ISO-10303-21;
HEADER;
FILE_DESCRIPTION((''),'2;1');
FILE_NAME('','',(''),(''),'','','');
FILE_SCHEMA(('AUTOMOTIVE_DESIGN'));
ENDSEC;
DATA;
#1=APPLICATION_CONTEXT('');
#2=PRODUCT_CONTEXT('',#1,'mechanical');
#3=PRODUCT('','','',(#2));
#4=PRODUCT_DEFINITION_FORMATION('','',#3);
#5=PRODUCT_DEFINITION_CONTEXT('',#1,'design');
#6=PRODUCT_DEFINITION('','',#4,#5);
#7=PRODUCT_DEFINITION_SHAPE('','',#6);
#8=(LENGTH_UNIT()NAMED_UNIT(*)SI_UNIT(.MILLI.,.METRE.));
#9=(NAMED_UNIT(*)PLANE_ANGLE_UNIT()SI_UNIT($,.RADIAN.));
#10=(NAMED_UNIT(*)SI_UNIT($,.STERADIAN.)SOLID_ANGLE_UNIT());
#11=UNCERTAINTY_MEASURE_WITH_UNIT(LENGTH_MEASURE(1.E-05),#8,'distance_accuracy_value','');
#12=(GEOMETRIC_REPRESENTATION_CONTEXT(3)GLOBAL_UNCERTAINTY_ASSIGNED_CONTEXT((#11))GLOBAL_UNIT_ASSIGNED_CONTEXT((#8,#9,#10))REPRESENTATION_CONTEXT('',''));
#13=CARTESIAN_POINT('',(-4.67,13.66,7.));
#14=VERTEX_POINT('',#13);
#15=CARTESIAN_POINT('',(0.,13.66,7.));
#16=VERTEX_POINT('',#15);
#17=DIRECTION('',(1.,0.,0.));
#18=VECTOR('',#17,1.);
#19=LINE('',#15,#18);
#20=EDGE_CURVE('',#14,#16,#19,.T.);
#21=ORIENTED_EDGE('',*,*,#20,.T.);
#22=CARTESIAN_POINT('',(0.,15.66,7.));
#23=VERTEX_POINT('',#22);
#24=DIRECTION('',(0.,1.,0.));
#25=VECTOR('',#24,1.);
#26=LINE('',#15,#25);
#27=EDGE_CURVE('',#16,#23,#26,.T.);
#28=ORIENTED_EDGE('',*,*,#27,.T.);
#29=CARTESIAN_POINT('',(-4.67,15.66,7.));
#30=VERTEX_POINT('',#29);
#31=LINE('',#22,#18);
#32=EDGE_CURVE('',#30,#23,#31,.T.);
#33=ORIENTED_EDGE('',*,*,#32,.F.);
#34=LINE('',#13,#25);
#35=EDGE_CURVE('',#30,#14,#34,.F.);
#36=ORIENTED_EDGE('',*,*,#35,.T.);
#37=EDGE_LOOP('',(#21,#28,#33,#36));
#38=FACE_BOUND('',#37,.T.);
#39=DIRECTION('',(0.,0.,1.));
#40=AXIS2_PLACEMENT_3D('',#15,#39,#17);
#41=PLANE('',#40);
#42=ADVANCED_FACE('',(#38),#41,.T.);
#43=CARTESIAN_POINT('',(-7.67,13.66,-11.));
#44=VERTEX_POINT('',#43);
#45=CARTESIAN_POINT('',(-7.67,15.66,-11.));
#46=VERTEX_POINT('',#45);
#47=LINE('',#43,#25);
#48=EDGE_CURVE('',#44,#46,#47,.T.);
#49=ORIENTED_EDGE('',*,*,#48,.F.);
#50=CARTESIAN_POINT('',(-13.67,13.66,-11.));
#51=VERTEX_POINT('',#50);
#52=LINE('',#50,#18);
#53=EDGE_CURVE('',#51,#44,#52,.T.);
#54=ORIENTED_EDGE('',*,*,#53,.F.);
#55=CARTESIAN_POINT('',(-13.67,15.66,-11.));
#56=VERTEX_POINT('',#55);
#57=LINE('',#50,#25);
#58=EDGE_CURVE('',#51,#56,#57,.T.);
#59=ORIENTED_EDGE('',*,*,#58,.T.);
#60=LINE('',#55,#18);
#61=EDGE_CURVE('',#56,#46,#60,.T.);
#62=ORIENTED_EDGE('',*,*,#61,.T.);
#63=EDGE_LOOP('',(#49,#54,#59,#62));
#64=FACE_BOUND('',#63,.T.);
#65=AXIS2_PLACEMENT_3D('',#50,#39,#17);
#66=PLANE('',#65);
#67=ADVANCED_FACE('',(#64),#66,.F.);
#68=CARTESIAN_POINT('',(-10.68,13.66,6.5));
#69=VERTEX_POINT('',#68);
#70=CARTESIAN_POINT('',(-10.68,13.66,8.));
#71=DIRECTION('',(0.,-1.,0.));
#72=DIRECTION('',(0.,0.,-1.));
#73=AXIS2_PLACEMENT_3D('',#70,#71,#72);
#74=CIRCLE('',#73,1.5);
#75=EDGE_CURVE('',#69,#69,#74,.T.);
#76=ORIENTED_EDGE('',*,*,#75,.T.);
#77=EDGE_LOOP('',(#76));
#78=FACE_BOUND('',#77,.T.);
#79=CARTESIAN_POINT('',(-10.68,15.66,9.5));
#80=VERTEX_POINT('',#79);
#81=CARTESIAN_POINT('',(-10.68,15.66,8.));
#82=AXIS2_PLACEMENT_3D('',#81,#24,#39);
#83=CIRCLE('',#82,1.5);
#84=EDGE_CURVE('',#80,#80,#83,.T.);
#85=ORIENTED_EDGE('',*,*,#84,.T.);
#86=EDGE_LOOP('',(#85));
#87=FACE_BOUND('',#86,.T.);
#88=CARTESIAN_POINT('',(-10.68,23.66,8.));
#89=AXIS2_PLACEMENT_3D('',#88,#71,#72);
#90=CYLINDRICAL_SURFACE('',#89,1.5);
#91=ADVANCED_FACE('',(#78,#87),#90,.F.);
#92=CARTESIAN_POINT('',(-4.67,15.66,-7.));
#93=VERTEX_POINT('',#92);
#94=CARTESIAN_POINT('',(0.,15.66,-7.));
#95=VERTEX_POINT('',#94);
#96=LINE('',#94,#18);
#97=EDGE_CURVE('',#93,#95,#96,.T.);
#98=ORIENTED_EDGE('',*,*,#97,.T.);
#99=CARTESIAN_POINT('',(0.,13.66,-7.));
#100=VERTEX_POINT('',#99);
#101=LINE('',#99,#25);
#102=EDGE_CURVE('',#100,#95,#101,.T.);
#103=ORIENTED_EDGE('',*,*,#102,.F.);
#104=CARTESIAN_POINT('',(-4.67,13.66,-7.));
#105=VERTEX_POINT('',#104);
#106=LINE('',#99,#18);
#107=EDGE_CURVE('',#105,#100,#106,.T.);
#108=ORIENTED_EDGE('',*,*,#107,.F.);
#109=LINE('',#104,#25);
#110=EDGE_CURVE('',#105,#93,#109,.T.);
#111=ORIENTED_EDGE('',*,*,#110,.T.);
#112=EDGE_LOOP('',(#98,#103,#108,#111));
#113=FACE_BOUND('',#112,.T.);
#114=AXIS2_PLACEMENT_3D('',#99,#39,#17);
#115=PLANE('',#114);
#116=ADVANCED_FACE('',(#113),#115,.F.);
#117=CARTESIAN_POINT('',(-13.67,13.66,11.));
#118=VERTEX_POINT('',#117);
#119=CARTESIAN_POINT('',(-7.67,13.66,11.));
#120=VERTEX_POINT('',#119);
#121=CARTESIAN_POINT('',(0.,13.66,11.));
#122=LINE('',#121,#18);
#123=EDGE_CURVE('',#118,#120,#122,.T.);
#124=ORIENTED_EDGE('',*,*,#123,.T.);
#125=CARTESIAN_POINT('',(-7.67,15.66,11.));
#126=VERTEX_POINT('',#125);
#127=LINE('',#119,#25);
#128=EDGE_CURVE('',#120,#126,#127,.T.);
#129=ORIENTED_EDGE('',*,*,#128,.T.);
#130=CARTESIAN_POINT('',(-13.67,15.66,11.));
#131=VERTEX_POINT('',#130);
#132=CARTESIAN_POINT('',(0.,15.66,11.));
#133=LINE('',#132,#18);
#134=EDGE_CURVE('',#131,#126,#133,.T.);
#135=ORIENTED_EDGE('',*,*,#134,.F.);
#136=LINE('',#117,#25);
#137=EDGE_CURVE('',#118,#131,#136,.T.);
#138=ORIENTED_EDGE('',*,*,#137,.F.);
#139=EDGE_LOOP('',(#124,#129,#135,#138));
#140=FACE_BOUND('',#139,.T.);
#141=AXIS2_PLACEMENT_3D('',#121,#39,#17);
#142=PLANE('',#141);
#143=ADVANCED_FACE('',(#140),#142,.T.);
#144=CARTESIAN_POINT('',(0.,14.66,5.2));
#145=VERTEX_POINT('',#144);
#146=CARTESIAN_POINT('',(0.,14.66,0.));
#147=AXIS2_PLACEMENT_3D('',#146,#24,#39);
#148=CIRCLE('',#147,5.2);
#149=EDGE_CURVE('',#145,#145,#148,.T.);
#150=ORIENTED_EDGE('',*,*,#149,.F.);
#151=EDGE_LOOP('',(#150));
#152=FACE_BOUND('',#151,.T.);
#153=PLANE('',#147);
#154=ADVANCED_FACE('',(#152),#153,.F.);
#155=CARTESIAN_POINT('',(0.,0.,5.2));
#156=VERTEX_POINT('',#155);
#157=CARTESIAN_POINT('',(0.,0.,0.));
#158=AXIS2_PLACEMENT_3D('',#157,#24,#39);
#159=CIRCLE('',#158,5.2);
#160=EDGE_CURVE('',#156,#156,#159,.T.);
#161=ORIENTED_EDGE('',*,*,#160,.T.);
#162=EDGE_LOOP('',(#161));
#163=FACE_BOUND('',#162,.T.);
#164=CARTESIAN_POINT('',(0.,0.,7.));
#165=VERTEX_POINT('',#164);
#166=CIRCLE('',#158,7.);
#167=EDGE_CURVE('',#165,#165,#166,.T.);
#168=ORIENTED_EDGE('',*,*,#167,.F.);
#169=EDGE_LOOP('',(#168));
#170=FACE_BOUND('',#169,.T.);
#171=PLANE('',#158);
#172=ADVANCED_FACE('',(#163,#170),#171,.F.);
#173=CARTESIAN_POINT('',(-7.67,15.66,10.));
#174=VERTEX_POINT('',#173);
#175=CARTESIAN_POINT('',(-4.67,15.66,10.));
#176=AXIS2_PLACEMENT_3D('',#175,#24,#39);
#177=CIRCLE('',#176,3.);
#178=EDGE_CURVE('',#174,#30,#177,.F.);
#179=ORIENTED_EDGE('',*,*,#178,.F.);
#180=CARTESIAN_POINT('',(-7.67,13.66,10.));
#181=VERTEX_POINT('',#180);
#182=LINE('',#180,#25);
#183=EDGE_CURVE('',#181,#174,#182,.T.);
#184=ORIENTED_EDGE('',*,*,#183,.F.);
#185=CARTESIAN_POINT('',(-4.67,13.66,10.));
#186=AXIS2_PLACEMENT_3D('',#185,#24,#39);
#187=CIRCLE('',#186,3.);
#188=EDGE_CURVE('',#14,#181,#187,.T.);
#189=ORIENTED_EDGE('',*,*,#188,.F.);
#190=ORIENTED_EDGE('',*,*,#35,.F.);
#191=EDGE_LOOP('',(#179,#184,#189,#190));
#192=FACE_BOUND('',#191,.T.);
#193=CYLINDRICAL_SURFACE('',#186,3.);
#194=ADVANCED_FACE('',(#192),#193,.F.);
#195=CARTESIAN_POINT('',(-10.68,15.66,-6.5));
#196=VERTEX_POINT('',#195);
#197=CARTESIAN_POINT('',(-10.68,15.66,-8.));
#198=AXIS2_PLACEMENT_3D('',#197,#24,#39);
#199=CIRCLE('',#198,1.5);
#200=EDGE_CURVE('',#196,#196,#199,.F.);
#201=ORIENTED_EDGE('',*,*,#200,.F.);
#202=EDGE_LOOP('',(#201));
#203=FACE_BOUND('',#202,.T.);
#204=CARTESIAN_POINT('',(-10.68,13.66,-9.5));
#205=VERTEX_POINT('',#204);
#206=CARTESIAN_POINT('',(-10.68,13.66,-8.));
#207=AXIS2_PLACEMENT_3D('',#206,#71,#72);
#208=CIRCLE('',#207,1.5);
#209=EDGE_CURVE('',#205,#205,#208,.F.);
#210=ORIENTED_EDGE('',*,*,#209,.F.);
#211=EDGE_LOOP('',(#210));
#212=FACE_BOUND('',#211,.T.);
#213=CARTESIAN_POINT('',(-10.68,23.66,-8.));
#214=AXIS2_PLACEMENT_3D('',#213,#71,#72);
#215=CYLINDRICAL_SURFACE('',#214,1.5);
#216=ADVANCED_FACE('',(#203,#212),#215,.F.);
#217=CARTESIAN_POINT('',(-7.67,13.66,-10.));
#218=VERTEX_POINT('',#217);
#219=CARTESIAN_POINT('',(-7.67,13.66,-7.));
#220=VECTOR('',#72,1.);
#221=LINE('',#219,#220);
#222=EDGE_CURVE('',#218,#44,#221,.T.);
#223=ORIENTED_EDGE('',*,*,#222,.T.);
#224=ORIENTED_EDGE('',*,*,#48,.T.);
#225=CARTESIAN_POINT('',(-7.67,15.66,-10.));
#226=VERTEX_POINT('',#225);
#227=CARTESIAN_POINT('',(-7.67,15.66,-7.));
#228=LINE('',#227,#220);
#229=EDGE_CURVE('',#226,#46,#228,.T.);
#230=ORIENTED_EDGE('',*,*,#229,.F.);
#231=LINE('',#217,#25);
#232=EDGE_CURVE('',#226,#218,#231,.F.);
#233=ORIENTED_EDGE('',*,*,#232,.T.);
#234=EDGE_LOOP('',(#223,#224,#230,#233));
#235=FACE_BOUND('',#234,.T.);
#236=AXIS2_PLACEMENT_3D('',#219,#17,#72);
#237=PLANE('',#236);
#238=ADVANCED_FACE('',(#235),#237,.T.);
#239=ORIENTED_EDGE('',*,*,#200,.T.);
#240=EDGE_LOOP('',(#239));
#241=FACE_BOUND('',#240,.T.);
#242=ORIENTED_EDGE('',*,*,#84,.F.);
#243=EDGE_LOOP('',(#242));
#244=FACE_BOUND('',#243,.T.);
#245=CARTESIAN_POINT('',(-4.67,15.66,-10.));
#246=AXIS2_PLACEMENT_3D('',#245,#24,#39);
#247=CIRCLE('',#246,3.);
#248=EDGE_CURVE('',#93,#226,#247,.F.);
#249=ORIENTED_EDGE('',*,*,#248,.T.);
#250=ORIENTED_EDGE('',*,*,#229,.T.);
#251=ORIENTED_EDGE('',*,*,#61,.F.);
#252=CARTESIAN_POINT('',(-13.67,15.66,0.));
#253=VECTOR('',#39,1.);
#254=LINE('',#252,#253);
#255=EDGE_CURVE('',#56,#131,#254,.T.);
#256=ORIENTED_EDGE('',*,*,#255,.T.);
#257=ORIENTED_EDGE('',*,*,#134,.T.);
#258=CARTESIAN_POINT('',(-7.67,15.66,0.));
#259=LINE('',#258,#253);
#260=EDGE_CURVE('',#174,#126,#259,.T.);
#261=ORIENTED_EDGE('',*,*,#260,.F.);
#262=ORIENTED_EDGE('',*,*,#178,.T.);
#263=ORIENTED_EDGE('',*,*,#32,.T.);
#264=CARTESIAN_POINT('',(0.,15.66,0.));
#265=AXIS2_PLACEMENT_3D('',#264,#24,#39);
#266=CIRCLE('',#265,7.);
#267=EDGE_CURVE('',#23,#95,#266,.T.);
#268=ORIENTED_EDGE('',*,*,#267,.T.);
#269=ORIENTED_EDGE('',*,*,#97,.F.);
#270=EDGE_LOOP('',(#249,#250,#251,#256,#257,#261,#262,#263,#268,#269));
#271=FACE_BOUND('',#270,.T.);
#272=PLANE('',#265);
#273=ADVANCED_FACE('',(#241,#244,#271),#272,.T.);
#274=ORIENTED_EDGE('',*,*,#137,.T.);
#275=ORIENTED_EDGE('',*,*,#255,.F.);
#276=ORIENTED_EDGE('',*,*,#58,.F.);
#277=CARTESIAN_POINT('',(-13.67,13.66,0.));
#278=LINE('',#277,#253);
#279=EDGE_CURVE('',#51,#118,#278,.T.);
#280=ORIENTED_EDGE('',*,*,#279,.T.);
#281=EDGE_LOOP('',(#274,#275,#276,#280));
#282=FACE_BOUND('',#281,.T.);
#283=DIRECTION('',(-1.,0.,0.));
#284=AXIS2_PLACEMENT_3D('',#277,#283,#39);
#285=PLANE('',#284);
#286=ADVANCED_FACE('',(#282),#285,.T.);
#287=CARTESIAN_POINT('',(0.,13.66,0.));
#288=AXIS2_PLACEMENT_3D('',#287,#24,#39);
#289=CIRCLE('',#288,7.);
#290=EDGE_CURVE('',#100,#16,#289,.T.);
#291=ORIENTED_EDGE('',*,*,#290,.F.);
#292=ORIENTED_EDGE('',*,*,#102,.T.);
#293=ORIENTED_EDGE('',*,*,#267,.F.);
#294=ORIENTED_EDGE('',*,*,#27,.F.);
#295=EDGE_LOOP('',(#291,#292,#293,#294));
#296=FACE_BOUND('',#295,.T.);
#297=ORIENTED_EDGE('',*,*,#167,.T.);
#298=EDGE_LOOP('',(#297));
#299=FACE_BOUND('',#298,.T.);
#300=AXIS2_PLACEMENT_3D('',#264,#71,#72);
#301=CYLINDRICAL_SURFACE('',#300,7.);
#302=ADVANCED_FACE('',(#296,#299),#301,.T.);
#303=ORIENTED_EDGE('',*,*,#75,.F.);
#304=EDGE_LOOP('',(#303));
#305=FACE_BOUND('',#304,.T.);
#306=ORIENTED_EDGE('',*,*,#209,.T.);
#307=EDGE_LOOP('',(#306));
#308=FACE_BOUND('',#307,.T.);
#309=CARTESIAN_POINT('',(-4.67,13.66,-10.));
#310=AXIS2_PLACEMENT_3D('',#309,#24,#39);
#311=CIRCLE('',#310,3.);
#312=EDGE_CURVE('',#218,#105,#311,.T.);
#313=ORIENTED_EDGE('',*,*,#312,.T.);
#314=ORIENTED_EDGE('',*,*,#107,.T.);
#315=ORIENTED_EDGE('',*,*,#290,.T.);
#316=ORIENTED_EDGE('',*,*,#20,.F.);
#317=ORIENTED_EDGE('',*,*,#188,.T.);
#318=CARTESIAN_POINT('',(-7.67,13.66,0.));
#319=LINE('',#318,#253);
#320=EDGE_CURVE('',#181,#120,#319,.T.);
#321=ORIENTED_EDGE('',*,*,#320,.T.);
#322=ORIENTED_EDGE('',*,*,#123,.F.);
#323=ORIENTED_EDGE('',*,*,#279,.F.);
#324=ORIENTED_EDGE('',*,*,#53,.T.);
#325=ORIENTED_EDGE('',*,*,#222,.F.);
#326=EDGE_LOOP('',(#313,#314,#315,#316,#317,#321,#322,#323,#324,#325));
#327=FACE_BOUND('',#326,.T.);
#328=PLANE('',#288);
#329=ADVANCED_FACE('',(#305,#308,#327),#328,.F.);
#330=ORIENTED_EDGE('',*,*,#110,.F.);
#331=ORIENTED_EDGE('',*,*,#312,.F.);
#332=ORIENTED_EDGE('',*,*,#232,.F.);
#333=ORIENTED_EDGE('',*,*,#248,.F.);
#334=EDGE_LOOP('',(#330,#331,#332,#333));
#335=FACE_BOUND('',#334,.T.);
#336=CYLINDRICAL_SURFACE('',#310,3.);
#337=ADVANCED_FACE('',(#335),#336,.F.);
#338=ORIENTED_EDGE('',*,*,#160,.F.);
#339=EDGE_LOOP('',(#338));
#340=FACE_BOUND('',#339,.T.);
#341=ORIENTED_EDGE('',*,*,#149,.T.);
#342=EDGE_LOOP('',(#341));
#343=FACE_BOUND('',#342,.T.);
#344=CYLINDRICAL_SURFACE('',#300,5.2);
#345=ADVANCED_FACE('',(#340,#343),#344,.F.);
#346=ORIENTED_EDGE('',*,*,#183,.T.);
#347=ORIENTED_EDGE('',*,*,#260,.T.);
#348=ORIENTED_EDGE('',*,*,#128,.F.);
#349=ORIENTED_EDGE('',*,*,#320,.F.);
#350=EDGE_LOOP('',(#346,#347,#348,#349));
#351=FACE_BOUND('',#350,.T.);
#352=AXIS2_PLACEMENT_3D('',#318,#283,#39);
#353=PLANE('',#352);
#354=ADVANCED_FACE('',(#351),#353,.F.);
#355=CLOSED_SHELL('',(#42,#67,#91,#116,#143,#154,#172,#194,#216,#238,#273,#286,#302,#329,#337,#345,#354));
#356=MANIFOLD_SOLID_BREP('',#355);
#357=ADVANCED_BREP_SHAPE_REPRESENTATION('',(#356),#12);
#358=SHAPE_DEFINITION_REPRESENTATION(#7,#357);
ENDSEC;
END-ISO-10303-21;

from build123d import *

# Parameters (mm, degrees)
SKETCH1_R           = 7
SKETCH1_R_2         = 5.2
BOSS_EXTRUDE1_DEPTH = 15.66
BOSS_EXTRUDE2_START = -2
SKETCH2_W           = 6
SKETCH2_H           = 4
BOSS_EXTRUDE2_DEPTH = 2
SKETCH4_R           = 1.5
CUT_EXTRUDE1_DEPTH  = 10
FILLET1_R           = 3
BOSS_EXTRUDE3_START = -1
SKETCH5_R           = 5.2
BOSS_EXTRUDE3_DEPTH = 1


with BuildPart() as part:
    # Sketch1 → Boss-Extrude1 (new body)
    with BuildSketch(Plane(origin=(0, 0, 0), x_dir=(1, 0, 0), z_dir=(0, 1, 0))):
        with Locations(Location((0, 0, 0), (0, 0, 270))):
            Circle(SKETCH1_R)
        with Locations(Location((0, 0, 0), (0, 0, 270))):
            Circle(SKETCH1_R_2, mode=Mode.SUBTRACT)
    extrude(amount=BOSS_EXTRUDE1_DEPTH)

    # Sketch2 → Boss-Extrude2 (add)
    with BuildSketch(Plane(origin=(0, 15.66, 0), x_dir=(1, 0, 0), z_dir=(0, 1, 0)).offset(BOSS_EXTRUDE2_START)):
        with Locations((-10.67, -9)):
            Rectangle(SKETCH2_W, SKETCH2_H)
        with BuildLine():
            ThreePointArc((0, -7), (-7, 0), (0, 7))
            Line((0, 7), (-7.67, 7))
            Line((-7.67, 7), (-13.67, 7))
            Line((-13.67, 7), (-13.67, -7))
            Line((-13.67, -7), (-7.67, -7))
            Line((-7.67, -7), (0, -7))
        make_face()
        with Locations((-10.67, 9)):
            Rectangle(SKETCH2_W, SKETCH2_H)
    extrude(amount=BOSS_EXTRUDE2_DEPTH)

    # Sketch4 → Cut-Extrude1 (cut)
    with BuildSketch(Plane.XZ.offset(-13.66)):
        with Locations(Location((-10.68, -8, 0), (0, 0, 270))):
            Circle(SKETCH4_R)
        with Locations(Location((-10.68, 8, 0), (0, 0, 270))):
            Circle(SKETCH4_R)
    extrude(amount=-CUT_EXTRUDE1_DEPTH, mode=Mode.SUBTRACT)

    # Fillet1
    fillet1_edges = [part.edges().sort_by_distance(p)[0] for p in [
        (-7.67, 14.66, 7),
        (-7.67, 14.66, -7),
    ]]
    fillet(fillet1_edges, radius=FILLET1_R)

    # Sketch5 → Boss-Extrude3 (add)
    with BuildSketch(Plane(origin=(0, 15.66, 0), x_dir=(1, 0, 0), z_dir=(0, 1, 0)).offset(BOSS_EXTRUDE3_START)):
        with Locations(Location((0, 0, 0), (0, 0, 270))):
            Circle(SKETCH5_R)
    extrude(amount=BOSS_EXTRUDE3_DEPTH)


solid = part.part
